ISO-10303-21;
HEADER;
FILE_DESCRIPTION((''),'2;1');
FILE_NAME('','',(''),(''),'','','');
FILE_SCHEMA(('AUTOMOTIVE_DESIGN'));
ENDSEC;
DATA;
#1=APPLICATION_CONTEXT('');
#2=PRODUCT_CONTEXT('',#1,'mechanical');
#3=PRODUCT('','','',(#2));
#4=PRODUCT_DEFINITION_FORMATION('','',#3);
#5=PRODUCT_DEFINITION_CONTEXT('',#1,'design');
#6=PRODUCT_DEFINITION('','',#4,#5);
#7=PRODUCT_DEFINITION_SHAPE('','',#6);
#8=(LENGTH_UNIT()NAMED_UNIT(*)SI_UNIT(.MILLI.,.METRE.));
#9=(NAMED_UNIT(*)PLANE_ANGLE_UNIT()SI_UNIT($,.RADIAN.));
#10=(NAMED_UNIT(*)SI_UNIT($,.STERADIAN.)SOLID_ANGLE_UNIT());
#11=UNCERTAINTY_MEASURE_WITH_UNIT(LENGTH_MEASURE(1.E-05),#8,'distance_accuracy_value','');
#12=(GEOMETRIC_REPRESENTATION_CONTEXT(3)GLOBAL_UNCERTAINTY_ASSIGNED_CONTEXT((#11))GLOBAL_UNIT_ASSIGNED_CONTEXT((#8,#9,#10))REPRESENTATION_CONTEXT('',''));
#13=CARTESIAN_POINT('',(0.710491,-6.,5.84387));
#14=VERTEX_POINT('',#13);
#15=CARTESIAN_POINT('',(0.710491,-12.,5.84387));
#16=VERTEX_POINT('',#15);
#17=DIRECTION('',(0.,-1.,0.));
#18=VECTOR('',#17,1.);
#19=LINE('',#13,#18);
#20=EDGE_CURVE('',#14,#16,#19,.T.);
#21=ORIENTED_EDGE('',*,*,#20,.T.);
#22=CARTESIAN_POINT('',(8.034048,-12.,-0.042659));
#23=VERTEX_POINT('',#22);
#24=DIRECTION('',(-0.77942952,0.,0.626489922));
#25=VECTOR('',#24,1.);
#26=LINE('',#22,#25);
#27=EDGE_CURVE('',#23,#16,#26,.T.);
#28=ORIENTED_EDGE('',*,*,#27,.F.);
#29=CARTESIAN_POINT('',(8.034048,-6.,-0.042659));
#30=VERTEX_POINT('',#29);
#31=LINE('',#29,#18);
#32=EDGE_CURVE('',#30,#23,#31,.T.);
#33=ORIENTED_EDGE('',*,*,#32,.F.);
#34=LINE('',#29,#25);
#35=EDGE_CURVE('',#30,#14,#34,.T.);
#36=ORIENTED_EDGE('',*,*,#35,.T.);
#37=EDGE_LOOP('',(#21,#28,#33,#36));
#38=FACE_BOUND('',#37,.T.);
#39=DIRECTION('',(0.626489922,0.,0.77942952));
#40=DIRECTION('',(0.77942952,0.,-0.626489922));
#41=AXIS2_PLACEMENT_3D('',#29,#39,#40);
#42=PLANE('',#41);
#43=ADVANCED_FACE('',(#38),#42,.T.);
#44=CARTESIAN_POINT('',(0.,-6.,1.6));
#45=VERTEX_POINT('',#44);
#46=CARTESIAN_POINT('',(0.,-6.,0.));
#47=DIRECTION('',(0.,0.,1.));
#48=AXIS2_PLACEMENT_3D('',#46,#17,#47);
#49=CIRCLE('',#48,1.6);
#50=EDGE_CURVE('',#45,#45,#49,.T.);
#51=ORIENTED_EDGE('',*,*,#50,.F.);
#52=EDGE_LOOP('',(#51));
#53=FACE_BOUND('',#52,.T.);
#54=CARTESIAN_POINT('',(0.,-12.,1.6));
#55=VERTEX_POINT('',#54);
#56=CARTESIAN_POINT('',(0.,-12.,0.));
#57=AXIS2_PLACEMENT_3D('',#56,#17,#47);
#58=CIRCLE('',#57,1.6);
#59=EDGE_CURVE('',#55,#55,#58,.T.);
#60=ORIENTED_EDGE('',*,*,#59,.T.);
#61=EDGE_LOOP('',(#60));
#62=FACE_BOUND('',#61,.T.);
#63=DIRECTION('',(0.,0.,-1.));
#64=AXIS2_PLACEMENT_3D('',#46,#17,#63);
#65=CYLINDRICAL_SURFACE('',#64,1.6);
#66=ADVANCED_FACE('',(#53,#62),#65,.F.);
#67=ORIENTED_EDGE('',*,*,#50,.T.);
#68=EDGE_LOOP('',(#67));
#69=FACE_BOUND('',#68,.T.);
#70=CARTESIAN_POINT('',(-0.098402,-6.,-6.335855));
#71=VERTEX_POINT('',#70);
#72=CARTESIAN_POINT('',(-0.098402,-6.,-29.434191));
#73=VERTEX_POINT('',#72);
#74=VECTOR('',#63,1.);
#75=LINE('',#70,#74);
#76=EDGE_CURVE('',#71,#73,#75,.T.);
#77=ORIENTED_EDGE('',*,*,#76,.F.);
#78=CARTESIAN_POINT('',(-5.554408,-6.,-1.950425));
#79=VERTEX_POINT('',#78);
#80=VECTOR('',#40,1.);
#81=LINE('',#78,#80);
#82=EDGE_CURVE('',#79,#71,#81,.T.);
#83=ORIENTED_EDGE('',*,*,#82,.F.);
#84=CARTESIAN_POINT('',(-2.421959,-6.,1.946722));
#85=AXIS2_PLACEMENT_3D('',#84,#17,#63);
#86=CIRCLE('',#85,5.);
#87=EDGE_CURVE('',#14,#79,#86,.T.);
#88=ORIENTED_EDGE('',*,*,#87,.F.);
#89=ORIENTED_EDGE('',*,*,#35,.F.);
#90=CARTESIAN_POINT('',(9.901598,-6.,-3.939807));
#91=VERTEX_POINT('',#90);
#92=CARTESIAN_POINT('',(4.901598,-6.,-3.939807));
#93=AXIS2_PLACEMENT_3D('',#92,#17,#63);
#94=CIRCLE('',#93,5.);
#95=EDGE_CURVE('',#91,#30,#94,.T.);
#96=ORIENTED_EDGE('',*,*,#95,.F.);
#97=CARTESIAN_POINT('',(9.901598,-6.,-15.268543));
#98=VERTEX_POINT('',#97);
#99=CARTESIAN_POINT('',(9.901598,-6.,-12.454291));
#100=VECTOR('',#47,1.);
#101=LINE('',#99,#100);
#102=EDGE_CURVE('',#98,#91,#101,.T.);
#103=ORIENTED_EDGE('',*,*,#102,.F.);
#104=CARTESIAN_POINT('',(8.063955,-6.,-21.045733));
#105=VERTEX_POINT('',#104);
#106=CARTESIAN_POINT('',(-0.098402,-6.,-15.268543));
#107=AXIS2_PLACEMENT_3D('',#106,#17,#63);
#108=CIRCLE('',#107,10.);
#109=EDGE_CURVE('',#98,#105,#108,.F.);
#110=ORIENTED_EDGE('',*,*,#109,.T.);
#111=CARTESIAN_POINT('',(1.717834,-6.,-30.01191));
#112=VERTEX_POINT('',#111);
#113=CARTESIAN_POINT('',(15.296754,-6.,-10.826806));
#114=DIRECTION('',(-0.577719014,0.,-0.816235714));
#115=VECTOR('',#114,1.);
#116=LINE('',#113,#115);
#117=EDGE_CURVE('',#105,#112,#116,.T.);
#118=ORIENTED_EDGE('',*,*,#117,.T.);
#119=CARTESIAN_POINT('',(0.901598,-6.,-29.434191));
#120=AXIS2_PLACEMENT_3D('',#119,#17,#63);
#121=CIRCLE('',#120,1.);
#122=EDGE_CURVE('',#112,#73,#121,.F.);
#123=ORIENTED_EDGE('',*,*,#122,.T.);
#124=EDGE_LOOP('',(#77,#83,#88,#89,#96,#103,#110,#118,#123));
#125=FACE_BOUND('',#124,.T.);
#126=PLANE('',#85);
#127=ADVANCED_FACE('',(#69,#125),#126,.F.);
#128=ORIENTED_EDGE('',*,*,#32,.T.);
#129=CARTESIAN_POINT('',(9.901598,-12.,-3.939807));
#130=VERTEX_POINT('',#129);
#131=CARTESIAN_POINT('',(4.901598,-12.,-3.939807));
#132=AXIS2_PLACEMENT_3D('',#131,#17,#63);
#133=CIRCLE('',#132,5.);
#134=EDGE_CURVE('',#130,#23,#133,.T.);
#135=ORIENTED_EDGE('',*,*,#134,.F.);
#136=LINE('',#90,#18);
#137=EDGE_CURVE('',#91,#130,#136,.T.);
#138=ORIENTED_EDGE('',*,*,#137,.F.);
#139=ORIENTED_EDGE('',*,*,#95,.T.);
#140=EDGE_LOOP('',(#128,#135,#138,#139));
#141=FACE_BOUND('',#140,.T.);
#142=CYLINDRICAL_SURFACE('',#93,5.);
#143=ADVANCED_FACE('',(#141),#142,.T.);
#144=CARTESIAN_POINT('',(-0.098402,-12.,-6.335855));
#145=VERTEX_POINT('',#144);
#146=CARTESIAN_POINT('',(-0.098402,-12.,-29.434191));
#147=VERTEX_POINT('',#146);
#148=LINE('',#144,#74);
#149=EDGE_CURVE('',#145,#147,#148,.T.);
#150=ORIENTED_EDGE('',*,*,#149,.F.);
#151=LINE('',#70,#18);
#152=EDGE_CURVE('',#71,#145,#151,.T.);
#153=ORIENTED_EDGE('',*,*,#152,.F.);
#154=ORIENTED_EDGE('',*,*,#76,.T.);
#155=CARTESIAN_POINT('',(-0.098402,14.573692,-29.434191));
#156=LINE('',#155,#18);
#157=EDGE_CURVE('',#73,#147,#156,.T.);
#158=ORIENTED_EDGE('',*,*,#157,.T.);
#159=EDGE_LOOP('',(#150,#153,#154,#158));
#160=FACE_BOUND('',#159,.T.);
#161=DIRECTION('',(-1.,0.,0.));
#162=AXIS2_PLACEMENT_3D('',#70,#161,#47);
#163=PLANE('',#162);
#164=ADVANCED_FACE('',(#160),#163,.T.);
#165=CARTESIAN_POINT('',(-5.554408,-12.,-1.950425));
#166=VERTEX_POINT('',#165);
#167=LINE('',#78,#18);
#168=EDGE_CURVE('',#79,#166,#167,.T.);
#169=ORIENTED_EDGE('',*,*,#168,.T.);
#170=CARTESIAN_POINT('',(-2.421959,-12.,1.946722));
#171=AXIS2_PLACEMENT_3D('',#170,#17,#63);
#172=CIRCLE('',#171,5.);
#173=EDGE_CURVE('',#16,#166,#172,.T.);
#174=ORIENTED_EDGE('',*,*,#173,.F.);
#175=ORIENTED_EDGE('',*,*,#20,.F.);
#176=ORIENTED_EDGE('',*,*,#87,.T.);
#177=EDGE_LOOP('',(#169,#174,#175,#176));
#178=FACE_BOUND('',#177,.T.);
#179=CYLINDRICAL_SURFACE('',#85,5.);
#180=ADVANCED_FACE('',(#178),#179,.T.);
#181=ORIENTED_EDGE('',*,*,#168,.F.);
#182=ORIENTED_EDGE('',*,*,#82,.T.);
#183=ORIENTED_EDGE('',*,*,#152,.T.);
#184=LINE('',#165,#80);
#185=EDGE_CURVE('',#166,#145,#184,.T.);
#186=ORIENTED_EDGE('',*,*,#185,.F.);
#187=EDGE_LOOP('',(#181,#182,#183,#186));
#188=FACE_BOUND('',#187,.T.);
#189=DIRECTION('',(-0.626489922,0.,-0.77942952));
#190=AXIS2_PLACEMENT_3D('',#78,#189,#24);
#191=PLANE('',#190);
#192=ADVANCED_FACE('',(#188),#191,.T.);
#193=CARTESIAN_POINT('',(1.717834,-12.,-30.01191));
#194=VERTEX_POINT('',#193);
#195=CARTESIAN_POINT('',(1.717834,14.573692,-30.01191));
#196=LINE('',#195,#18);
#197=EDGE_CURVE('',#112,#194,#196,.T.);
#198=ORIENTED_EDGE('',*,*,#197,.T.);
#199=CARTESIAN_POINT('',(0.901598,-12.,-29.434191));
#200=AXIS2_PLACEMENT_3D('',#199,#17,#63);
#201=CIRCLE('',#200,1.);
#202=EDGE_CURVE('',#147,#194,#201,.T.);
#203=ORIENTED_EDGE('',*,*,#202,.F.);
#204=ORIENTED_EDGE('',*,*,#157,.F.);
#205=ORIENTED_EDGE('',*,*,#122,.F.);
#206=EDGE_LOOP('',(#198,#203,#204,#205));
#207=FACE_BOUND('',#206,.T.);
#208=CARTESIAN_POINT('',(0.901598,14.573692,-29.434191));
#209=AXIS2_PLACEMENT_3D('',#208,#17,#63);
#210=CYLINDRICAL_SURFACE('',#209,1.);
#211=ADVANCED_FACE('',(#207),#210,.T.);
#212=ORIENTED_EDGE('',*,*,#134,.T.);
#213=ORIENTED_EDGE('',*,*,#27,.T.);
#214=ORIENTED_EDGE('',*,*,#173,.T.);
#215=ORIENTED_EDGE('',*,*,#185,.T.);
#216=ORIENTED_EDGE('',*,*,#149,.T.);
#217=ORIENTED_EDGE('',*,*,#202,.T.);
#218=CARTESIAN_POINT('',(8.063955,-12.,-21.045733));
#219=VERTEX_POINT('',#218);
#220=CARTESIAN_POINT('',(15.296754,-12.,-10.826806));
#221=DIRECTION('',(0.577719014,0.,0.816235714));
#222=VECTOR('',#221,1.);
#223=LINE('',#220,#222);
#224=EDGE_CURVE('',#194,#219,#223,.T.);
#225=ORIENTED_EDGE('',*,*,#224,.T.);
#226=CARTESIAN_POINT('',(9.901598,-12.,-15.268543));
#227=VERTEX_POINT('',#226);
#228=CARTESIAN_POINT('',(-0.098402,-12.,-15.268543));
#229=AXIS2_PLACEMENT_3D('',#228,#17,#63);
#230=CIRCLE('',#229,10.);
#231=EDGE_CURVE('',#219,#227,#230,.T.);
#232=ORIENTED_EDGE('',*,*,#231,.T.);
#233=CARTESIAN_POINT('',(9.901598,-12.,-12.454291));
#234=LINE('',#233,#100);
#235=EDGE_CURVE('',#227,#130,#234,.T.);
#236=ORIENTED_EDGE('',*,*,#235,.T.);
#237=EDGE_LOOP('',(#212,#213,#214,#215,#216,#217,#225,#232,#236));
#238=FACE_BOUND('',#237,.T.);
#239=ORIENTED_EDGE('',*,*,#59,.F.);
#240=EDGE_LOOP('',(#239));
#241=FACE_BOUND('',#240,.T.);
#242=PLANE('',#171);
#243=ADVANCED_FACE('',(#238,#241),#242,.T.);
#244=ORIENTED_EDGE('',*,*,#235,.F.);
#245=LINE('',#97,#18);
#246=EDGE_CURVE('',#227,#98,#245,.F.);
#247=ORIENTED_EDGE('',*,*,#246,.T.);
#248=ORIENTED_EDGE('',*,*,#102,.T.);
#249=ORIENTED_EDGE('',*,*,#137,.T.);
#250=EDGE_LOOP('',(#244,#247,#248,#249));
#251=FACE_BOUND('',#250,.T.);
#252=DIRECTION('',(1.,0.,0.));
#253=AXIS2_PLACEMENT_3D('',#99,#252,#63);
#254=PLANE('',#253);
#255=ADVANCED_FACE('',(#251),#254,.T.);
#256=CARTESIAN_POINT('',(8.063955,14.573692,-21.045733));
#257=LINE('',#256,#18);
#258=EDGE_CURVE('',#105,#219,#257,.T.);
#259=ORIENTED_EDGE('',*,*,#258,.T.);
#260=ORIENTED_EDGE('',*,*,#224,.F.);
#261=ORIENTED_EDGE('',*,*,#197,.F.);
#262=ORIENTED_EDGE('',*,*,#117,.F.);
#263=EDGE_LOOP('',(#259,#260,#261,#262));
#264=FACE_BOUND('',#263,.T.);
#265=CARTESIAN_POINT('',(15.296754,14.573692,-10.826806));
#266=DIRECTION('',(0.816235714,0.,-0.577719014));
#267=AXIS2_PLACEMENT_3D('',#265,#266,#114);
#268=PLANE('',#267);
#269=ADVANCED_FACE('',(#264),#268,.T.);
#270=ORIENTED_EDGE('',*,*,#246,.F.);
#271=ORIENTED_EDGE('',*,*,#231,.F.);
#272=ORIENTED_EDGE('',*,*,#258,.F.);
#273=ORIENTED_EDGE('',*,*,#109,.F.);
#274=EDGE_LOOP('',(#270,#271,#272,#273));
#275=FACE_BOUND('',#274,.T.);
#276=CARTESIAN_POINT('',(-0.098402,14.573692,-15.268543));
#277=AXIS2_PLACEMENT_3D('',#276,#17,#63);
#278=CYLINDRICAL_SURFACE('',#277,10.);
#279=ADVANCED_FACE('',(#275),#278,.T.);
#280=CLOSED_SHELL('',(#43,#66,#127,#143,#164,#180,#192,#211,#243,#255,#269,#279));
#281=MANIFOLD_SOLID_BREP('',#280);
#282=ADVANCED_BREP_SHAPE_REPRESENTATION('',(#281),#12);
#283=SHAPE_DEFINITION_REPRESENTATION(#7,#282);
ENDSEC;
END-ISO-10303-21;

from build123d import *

# Parameters (mm, degrees)
ESBO_O1_R                = 1.6
RESSALTO_EXTRUS_O1_DEPTH = 6
RESSALTO_EXTRUS_O2_DEPTH = 6
FILETE1_R                = 10


with BuildPart() as part:
    # Esboço1 → Ressalto-extrusão1 (new body)
    with BuildSketch(Plane.XZ.offset(12)):
        with BuildLine():
            Line((-5.554408486, -1.950425304), (-0.098401843, -6.33585476))
            Line((-0.098401843, -6.33585476), (-0.098401843, -23.434191187))
            ThreePointArc((-0.098401843, -23.434191187), (0.884517689, -24.84224935), (2.545101876, -24.404963685))
            ThreePointArc((2.545101876, -24.404963685), (6.090429059, -19.835978921), (9.220727662, -14.973243345))
            ThreePointArc((9.220727662, -14.973243345), (9.728380083, -13.758965882), (9.901598157, -12.454291119))
            Line((9.901598157, -12.454291119), (9.901598157, -3.939806958))
            ThreePointArc((9.901598157, -3.939806958), (9.410602928, -1.779048764), (8.034047768, -0.042659356))
            Line((8.034047768, -0.042659356), (0.710490736, 5.843869901))
            ThreePointArc((0.710490736, 5.843869901), (-6.319106477, 5.07917191), (-5.554408486, -1.950425304))
        make_face()
        Circle(ESBO_O1_R, mode=Mode.SUBTRACT)
    extrude(amount=-RESSALTO_EXTRUS_O1_DEPTH)

    # Esboço2 → Ressalto-extrusão2 (add)
    with BuildSketch(Plane.XZ.offset(12)):
        with BuildLine():
            ThreePointArc((2.545101876, -24.404963685), (0.884517689, -24.84224935), (-0.098401843, -23.434191187))
            Line((-0.098401843, -23.434191187), (-0.098401843, -29.434191187))
            ThreePointArc((-0.098401843, -29.434191187), (0.598477482, -30.387143367), (1.71783387, -30.011910201))
            Line((1.71783387, -30.011910201), (9.901598157, -18.449402273))
            Line((9.901598157, -18.449402273), (9.901598157, -12.454291119))
            ThreePointArc((9.901598157, -12.454291119), (9.728380083, -13.758965882), (9.220727662, -14.973243345))
            ThreePointArc((9.220727662, -14.973243345), (6.090429059, -19.835978921), (2.545101876, -24.404963685))
        make_face()
    extrude(amount=-RESSALTO_EXTRUS_O2_DEPTH)

    # Filete1
    filete1_edges = [part.edges().sort_by_distance(p)[0] for p in [
        (9.901598157, -9, -18.449402273),
    ]]
    fillet(filete1_edges, radius=FILETE1_R)


solid = part.part
